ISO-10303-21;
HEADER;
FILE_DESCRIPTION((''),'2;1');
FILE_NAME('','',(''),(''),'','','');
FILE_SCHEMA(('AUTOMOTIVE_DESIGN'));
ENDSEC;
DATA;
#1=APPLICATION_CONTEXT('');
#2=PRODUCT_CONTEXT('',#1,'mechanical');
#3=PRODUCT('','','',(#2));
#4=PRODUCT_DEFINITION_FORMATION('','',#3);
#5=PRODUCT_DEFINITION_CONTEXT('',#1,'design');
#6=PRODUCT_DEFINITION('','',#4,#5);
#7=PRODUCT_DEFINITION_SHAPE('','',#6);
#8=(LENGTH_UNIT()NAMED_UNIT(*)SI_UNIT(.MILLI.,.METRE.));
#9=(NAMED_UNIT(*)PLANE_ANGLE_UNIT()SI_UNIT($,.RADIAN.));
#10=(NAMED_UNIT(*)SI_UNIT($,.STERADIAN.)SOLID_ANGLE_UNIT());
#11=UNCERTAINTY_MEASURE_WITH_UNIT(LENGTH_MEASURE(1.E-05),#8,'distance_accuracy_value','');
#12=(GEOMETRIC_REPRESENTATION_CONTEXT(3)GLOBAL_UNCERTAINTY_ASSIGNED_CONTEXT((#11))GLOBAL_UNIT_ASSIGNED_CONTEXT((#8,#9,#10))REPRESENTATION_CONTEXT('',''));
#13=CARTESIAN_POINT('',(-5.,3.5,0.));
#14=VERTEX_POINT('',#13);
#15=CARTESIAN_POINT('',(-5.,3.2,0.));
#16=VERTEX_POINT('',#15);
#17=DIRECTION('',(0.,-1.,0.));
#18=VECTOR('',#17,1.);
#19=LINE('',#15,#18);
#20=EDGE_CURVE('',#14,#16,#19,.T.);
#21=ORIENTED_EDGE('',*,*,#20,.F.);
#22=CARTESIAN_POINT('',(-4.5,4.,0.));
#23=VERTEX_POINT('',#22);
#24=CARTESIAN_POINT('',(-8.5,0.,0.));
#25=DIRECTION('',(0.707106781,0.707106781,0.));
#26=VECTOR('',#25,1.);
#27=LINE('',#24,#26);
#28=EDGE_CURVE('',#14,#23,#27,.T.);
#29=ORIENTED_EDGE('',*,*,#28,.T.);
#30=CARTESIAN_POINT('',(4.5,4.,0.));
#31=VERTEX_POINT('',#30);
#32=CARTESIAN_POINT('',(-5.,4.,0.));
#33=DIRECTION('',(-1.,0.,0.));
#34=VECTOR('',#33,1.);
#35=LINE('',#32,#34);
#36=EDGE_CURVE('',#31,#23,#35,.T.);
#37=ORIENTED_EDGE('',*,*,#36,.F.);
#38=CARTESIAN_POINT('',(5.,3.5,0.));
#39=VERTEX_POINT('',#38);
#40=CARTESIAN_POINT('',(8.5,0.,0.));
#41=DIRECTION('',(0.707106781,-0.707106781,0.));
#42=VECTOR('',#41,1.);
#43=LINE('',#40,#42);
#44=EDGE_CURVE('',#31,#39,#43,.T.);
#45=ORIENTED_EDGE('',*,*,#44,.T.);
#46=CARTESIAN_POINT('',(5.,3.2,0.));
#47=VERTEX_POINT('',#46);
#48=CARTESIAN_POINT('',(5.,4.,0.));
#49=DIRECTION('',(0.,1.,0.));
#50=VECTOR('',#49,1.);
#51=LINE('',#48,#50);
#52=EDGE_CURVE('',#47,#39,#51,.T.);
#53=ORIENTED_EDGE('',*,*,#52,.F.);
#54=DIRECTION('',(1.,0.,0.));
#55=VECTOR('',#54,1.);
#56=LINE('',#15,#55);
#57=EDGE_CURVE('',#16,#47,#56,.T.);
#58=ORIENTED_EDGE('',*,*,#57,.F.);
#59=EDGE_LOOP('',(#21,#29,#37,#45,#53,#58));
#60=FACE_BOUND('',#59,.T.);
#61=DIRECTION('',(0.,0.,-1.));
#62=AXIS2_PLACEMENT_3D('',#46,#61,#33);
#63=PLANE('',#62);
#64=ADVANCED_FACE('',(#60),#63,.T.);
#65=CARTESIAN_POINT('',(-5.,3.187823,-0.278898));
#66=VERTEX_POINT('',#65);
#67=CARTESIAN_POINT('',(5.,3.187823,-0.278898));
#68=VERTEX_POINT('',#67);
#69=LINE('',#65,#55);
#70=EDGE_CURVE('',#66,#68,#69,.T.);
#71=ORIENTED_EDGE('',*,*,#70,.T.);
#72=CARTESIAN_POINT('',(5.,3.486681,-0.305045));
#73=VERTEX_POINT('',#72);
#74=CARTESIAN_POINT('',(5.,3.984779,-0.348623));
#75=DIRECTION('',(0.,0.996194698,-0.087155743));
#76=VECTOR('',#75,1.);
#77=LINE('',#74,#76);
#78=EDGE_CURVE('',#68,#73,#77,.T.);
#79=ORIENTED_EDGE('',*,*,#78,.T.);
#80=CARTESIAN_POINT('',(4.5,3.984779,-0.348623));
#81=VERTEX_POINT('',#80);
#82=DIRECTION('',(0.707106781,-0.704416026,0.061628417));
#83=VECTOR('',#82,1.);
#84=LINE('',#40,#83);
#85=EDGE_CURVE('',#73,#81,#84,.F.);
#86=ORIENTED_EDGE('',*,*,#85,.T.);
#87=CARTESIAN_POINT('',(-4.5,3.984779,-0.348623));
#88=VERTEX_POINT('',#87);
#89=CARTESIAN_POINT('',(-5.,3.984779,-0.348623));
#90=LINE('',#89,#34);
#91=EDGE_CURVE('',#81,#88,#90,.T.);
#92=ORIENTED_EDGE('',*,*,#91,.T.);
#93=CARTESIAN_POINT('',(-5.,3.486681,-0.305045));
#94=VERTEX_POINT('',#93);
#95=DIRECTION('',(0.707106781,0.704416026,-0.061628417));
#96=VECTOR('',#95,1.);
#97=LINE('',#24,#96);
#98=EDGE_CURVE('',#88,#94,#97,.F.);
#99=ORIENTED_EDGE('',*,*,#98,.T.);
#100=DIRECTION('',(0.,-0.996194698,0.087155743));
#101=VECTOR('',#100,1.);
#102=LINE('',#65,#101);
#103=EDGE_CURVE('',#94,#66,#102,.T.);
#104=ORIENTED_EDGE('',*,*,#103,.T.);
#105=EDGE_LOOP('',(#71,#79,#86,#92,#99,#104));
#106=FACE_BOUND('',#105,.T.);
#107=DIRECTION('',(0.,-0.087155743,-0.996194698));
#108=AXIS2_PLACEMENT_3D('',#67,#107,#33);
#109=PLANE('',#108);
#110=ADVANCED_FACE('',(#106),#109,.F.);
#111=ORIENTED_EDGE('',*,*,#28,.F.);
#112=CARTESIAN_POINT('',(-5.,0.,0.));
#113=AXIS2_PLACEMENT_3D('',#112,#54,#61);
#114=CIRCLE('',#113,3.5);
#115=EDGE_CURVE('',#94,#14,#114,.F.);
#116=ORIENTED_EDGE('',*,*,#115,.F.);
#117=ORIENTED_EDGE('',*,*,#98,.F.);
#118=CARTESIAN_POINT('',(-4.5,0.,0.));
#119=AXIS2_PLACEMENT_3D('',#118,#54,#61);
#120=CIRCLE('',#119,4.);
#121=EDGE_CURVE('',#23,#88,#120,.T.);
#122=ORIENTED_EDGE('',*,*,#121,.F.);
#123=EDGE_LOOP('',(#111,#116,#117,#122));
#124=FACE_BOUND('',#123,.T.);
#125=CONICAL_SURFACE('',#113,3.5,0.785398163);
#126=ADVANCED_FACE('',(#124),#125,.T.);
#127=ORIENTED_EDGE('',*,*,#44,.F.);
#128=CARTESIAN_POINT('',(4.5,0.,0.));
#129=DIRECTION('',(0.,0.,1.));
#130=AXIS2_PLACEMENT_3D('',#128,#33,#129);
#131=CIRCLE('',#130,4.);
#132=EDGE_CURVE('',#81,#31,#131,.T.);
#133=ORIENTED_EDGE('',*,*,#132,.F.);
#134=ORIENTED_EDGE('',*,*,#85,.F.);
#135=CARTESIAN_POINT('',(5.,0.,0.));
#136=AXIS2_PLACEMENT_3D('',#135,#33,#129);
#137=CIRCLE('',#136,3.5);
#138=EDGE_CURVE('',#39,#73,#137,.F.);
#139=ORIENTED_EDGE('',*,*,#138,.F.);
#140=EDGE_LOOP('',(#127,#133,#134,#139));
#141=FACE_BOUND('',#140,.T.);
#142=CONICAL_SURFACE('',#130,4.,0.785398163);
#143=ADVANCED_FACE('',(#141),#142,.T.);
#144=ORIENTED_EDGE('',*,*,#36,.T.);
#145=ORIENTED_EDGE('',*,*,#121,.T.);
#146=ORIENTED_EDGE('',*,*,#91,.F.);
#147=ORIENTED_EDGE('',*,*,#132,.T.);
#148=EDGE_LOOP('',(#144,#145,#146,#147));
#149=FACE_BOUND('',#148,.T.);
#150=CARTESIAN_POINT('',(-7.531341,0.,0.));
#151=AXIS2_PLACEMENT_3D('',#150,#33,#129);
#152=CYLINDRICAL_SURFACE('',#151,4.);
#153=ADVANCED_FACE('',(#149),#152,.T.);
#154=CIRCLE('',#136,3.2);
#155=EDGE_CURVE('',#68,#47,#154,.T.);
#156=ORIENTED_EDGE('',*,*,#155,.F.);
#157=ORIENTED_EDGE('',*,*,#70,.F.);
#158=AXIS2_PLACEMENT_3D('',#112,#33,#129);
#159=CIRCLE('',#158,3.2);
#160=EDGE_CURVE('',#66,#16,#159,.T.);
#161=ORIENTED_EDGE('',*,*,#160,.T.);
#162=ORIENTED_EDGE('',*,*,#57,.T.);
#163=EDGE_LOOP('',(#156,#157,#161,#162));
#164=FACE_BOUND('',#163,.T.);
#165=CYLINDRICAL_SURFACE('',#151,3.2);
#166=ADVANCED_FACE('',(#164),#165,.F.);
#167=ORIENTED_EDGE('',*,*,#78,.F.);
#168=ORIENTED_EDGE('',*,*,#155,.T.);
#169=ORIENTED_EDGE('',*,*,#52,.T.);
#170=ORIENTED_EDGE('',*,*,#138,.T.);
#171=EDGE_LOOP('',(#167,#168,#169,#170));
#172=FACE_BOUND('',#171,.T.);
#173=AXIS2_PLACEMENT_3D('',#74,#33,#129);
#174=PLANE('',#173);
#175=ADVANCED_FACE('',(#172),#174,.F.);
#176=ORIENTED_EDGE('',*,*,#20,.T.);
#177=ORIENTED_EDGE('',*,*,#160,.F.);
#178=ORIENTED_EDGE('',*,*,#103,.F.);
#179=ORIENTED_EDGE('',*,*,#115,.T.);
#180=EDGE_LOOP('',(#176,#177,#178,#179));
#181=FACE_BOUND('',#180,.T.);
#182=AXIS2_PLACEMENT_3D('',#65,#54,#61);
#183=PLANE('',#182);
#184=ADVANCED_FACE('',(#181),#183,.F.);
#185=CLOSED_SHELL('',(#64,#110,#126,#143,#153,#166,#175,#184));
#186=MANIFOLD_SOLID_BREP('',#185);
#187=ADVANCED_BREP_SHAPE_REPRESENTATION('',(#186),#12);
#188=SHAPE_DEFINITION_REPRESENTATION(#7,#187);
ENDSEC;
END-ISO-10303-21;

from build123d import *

# Parameters (mm, degrees)
ESQUISSE1_W       = 10
ESQUISSE1_H       = 0.8
R_VOLUTION1_ANGLE = 355
CHANFREIN1_SIZE   = 0.5


with BuildPart() as part:
    # Esquisse1 → Révolution1 (revolve)
    with BuildSketch(Plane.XY):
        with Locations((0, 3.6)):
            Rectangle(ESQUISSE1_W, ESQUISSE1_H)
    revolve(axis=Axis((-7.531341075, 0, 0), (1, 0, 0)), revolution_arc=R_VOLUTION1_ANGLE)

    # Chanfrein1
    chanfrein1_edges = [part.edges().sort_by_distance(p)[0] for p in [
        (5, -3.996192886, 0.174477549),
        (-5, -3.996192886, 0.174477549),
    ]]
    chamfer(chanfrein1_edges, length=CHANFREIN1_SIZE)


solid = part.part
